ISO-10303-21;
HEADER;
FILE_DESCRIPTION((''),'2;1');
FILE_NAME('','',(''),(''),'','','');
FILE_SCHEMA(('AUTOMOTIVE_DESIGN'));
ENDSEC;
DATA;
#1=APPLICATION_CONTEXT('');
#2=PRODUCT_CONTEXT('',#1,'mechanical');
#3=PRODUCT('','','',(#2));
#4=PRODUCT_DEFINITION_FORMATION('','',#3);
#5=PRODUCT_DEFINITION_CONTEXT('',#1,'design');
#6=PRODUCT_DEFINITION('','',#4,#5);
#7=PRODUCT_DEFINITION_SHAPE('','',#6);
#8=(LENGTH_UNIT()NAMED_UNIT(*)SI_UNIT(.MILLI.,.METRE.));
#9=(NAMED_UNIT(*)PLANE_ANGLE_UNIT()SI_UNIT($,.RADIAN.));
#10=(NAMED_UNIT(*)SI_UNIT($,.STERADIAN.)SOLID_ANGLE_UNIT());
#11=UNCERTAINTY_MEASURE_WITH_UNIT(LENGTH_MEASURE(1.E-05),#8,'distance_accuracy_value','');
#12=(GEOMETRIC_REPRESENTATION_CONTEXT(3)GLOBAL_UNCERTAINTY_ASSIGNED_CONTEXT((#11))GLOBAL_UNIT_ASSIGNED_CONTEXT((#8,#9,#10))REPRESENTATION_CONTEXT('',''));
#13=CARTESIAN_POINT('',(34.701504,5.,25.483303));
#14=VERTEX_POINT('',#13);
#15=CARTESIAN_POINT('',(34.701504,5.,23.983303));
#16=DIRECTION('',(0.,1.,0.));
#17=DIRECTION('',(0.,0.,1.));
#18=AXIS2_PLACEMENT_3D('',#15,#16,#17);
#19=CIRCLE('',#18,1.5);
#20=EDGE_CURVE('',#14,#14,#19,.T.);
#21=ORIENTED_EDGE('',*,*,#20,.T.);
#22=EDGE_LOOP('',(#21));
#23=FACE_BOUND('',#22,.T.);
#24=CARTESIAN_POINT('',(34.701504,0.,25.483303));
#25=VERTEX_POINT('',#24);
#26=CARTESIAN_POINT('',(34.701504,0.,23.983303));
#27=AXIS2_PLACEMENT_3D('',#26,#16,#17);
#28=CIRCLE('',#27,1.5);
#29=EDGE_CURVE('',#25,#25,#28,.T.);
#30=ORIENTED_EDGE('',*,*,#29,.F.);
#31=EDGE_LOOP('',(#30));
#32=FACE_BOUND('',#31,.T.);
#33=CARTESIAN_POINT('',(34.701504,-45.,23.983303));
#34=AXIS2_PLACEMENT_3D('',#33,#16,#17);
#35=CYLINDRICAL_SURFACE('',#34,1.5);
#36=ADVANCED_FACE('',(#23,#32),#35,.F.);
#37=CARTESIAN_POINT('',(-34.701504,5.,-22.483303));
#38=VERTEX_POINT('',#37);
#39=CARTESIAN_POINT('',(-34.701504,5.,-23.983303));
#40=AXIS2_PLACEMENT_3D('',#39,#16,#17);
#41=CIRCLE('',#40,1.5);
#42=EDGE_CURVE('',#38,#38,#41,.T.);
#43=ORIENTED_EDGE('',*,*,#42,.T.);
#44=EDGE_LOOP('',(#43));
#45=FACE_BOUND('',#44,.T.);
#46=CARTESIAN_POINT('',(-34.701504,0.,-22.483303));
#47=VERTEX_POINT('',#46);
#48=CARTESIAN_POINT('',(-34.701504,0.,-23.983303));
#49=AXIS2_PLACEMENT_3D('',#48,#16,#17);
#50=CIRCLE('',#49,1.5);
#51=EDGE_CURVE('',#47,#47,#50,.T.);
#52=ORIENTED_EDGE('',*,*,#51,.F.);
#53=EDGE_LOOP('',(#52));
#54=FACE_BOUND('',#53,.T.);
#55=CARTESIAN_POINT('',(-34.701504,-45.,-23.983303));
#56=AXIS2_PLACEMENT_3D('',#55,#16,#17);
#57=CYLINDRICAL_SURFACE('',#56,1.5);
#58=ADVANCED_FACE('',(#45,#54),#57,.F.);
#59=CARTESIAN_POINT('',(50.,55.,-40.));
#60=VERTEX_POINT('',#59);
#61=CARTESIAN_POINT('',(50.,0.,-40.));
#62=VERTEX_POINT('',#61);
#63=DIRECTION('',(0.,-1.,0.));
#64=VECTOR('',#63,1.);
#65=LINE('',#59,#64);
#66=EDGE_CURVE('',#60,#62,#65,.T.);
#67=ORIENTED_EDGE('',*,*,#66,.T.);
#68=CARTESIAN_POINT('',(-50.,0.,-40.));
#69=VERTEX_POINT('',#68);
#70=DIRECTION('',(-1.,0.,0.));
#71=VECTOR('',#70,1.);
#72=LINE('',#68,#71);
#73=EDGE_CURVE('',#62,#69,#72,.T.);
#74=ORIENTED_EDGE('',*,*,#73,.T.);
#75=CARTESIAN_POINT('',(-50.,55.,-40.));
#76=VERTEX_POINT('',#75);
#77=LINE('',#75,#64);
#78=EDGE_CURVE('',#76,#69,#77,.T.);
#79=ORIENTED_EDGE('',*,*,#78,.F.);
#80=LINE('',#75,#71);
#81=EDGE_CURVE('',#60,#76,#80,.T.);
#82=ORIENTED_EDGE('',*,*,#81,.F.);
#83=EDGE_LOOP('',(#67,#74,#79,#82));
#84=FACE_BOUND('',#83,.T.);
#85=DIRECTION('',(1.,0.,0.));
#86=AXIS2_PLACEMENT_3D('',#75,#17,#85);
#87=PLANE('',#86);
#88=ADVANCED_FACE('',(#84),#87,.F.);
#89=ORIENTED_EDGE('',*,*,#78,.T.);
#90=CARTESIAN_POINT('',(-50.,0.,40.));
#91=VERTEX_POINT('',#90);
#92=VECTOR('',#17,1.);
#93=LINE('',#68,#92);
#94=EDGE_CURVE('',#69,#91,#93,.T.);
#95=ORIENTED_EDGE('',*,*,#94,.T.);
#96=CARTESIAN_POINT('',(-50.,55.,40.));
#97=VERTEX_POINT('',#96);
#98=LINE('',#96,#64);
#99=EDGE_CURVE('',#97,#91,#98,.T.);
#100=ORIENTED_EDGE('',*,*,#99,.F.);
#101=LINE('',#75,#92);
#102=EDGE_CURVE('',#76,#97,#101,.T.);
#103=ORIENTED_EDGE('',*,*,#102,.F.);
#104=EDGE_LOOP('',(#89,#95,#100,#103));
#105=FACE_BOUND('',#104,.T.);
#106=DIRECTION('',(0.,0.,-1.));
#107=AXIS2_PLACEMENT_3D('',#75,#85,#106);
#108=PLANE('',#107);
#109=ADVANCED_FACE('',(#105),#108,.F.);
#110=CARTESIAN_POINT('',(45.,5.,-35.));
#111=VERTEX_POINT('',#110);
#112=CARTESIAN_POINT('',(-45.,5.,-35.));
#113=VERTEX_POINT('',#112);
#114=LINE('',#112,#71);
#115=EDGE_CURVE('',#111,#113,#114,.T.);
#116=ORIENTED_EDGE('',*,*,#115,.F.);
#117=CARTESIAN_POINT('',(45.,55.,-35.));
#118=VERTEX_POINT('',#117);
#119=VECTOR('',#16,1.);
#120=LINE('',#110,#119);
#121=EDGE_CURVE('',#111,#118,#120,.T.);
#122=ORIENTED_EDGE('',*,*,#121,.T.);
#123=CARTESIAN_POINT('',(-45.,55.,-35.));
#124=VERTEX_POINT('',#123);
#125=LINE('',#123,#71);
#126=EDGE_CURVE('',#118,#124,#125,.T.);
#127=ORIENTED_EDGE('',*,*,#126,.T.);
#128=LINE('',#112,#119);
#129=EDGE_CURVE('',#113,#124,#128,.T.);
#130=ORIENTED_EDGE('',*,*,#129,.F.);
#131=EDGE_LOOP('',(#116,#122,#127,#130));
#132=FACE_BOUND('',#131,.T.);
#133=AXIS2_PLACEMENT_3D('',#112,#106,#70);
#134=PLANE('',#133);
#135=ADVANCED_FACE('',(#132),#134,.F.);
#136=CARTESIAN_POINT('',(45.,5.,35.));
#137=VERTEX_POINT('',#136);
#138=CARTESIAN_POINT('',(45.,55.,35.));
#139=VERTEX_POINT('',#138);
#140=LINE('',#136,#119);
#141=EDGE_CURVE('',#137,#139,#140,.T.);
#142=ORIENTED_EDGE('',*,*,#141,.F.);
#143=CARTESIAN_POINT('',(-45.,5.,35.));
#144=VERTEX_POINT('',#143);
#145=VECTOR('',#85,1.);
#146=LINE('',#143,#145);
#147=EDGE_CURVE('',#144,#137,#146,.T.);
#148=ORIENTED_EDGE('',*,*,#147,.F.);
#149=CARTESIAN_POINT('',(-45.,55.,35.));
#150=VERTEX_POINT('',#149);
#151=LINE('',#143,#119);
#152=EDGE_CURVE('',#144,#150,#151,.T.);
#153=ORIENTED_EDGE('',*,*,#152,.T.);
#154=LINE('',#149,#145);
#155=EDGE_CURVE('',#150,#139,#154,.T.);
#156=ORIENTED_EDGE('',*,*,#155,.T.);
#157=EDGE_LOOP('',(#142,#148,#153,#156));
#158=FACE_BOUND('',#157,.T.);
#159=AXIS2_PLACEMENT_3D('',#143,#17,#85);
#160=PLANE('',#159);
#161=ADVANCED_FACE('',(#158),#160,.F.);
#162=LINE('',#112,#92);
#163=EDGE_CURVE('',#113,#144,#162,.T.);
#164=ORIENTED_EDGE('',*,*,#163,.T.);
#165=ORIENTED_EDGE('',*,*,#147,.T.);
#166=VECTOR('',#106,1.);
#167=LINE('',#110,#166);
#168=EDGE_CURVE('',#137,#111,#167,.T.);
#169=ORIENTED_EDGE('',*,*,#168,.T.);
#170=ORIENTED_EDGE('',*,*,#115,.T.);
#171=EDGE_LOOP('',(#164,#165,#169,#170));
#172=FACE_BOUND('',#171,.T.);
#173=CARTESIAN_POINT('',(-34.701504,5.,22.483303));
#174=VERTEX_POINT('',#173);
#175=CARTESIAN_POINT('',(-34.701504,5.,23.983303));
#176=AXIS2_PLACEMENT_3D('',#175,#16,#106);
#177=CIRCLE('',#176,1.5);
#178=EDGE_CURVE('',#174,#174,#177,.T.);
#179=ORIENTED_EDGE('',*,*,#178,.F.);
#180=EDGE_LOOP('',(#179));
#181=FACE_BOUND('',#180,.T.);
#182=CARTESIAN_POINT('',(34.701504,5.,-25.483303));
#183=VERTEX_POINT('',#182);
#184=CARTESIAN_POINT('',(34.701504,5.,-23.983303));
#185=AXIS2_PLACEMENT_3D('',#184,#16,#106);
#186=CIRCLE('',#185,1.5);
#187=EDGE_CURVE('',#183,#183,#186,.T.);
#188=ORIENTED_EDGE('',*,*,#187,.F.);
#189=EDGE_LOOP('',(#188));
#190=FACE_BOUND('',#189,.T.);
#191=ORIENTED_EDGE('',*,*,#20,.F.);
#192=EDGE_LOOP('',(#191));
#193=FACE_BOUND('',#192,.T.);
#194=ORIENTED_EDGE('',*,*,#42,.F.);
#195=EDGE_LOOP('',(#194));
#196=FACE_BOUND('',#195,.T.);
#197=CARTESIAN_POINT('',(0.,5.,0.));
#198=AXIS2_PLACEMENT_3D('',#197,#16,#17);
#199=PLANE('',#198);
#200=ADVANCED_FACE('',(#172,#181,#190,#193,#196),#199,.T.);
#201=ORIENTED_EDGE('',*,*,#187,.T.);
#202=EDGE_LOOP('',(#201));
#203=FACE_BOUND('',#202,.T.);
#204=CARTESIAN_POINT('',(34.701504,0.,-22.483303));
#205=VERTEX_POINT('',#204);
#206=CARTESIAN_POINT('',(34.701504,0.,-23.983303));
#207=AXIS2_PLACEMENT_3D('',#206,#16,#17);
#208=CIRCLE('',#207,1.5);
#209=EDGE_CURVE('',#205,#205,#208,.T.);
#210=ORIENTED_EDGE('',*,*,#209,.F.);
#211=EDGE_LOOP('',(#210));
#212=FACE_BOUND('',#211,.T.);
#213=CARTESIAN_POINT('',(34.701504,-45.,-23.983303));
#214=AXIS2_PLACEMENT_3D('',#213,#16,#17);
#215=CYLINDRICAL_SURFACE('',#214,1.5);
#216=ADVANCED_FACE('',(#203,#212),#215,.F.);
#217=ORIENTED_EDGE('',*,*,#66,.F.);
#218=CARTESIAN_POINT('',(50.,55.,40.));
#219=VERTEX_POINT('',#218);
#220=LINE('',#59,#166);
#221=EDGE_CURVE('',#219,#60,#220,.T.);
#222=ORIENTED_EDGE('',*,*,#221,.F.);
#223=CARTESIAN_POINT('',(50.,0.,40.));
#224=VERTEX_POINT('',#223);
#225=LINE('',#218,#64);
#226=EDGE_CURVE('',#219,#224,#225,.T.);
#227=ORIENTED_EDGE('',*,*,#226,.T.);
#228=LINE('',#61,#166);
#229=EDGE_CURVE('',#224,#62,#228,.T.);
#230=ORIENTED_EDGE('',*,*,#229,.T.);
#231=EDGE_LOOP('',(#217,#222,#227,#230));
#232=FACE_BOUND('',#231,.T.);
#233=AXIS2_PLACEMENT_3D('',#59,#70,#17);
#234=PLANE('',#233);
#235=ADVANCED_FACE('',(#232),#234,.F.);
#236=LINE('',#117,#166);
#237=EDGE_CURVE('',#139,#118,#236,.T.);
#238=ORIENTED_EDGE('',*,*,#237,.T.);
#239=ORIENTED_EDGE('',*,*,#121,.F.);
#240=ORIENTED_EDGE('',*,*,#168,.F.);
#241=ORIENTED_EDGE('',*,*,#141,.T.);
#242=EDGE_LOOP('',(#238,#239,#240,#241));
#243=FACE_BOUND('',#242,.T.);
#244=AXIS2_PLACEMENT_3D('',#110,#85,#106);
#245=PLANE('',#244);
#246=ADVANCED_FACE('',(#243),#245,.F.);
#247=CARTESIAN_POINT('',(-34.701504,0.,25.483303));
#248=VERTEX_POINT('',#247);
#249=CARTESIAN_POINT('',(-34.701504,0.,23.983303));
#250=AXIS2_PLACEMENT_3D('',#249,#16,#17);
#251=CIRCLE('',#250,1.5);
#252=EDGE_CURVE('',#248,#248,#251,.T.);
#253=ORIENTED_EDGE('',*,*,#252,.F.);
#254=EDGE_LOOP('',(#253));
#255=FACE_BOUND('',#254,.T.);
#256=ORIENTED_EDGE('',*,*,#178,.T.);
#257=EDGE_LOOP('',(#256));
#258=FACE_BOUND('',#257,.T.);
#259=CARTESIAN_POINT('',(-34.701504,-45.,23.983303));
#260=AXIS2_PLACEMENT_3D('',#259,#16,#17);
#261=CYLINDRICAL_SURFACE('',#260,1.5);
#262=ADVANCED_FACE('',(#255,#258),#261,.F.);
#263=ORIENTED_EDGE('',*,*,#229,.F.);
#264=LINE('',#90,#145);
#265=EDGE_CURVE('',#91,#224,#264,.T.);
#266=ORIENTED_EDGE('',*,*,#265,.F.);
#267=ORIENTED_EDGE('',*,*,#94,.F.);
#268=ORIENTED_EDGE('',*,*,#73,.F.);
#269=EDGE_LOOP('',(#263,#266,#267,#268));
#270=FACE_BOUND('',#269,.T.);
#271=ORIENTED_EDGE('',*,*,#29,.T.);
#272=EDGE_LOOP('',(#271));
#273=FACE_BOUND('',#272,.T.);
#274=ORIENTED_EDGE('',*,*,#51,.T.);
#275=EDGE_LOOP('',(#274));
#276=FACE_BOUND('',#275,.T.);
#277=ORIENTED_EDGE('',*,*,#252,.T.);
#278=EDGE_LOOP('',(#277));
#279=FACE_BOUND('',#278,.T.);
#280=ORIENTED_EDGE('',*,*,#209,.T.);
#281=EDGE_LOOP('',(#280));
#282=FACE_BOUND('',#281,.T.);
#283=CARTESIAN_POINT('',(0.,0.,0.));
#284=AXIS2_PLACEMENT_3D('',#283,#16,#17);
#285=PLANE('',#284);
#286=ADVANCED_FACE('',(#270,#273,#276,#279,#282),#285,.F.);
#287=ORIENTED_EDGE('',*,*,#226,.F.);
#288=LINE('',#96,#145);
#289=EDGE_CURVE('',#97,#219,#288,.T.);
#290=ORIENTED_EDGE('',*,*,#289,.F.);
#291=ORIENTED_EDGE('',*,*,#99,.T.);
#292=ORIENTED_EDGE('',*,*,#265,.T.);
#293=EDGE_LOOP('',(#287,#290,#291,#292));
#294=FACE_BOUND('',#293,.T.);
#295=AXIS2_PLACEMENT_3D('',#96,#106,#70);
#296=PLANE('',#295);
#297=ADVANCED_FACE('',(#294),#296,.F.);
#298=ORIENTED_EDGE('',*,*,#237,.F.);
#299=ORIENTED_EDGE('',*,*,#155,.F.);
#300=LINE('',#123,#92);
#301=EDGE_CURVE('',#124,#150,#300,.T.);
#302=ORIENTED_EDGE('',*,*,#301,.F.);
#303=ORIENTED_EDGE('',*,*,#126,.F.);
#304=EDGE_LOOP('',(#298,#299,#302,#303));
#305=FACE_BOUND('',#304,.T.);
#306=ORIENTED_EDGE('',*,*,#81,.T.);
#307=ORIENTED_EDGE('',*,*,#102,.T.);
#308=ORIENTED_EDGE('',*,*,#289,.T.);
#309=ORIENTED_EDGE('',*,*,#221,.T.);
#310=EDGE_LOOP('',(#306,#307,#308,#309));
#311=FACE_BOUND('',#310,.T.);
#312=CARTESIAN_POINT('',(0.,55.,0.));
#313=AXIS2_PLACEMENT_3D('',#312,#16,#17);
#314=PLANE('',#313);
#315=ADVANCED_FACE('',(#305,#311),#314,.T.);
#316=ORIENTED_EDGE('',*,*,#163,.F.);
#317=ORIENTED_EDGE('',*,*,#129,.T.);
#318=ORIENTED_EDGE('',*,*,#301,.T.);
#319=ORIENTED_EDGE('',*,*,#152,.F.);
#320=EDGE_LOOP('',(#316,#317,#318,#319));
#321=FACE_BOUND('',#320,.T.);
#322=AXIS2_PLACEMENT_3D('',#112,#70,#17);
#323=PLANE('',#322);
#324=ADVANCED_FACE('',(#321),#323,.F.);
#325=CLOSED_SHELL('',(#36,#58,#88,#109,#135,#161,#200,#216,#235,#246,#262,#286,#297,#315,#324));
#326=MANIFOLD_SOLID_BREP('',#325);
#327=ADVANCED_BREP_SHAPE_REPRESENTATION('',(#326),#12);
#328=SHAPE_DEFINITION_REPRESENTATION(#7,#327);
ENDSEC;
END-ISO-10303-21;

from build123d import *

# Parameters (mm, degrees)
SKETCH1_W           = 100
SKETCH1_H           = 80
BOSS_EXTRUDE1_DEPTH = 55
SKETCH3_W           = 90
SKETCH3_H           = 70
CUT_EXTRUDE1_DEPTH  = 50
SKETCH5_R           = 1.5
CUT_EXTRUDE2_DEPTH  = 50


with BuildPart() as part:
    # Sketch1 → Boss-Extrude1 (new body)
    with BuildSketch(Plane(origin=(0, 0, 0), x_dir=(1, 0, 0), z_dir=(0, 1, 0))):
        Rectangle(SKETCH1_W, SKETCH1_H)
    extrude(amount=BOSS_EXTRUDE1_DEPTH)

    # Sketch3 → Cut-Extrude1 (cut)
    with BuildSketch(Plane(origin=(0, 55, 0), x_dir=(1, 0, 0), z_dir=(0, 1, 0))):
        Rectangle(SKETCH3_W, SKETCH3_H)
    extrude(amount=-CUT_EXTRUDE1_DEPTH, mode=Mode.SUBTRACT)

    # Sketch5 → Cut-Extrude2 (cut)
    with BuildSketch(Plane(origin=(0, 5, 0), x_dir=(1, 0, 0), z_dir=(0, 1, 0))):
        with Locations(Location((-34.701504138, 23.983302554, 0), (0, 0, 270))):
            Circle(SKETCH5_R)
        with Locations(Location((34.701504138, 23.983302554, 0), (0, 0, 270))):
            Circle(SKETCH5_R)
        with Locations(Location((34.701504138, -23.983302554, 0), (0, 0, 270))):
            Circle(SKETCH5_R)
        with Locations(Location((-34.701504138, -23.983302554, 0), (0, 0, 270))):
            Circle(SKETCH5_R)
    extrude(amount=-CUT_EXTRUDE2_DEPTH, mode=Mode.SUBTRACT)


solid = part.part
